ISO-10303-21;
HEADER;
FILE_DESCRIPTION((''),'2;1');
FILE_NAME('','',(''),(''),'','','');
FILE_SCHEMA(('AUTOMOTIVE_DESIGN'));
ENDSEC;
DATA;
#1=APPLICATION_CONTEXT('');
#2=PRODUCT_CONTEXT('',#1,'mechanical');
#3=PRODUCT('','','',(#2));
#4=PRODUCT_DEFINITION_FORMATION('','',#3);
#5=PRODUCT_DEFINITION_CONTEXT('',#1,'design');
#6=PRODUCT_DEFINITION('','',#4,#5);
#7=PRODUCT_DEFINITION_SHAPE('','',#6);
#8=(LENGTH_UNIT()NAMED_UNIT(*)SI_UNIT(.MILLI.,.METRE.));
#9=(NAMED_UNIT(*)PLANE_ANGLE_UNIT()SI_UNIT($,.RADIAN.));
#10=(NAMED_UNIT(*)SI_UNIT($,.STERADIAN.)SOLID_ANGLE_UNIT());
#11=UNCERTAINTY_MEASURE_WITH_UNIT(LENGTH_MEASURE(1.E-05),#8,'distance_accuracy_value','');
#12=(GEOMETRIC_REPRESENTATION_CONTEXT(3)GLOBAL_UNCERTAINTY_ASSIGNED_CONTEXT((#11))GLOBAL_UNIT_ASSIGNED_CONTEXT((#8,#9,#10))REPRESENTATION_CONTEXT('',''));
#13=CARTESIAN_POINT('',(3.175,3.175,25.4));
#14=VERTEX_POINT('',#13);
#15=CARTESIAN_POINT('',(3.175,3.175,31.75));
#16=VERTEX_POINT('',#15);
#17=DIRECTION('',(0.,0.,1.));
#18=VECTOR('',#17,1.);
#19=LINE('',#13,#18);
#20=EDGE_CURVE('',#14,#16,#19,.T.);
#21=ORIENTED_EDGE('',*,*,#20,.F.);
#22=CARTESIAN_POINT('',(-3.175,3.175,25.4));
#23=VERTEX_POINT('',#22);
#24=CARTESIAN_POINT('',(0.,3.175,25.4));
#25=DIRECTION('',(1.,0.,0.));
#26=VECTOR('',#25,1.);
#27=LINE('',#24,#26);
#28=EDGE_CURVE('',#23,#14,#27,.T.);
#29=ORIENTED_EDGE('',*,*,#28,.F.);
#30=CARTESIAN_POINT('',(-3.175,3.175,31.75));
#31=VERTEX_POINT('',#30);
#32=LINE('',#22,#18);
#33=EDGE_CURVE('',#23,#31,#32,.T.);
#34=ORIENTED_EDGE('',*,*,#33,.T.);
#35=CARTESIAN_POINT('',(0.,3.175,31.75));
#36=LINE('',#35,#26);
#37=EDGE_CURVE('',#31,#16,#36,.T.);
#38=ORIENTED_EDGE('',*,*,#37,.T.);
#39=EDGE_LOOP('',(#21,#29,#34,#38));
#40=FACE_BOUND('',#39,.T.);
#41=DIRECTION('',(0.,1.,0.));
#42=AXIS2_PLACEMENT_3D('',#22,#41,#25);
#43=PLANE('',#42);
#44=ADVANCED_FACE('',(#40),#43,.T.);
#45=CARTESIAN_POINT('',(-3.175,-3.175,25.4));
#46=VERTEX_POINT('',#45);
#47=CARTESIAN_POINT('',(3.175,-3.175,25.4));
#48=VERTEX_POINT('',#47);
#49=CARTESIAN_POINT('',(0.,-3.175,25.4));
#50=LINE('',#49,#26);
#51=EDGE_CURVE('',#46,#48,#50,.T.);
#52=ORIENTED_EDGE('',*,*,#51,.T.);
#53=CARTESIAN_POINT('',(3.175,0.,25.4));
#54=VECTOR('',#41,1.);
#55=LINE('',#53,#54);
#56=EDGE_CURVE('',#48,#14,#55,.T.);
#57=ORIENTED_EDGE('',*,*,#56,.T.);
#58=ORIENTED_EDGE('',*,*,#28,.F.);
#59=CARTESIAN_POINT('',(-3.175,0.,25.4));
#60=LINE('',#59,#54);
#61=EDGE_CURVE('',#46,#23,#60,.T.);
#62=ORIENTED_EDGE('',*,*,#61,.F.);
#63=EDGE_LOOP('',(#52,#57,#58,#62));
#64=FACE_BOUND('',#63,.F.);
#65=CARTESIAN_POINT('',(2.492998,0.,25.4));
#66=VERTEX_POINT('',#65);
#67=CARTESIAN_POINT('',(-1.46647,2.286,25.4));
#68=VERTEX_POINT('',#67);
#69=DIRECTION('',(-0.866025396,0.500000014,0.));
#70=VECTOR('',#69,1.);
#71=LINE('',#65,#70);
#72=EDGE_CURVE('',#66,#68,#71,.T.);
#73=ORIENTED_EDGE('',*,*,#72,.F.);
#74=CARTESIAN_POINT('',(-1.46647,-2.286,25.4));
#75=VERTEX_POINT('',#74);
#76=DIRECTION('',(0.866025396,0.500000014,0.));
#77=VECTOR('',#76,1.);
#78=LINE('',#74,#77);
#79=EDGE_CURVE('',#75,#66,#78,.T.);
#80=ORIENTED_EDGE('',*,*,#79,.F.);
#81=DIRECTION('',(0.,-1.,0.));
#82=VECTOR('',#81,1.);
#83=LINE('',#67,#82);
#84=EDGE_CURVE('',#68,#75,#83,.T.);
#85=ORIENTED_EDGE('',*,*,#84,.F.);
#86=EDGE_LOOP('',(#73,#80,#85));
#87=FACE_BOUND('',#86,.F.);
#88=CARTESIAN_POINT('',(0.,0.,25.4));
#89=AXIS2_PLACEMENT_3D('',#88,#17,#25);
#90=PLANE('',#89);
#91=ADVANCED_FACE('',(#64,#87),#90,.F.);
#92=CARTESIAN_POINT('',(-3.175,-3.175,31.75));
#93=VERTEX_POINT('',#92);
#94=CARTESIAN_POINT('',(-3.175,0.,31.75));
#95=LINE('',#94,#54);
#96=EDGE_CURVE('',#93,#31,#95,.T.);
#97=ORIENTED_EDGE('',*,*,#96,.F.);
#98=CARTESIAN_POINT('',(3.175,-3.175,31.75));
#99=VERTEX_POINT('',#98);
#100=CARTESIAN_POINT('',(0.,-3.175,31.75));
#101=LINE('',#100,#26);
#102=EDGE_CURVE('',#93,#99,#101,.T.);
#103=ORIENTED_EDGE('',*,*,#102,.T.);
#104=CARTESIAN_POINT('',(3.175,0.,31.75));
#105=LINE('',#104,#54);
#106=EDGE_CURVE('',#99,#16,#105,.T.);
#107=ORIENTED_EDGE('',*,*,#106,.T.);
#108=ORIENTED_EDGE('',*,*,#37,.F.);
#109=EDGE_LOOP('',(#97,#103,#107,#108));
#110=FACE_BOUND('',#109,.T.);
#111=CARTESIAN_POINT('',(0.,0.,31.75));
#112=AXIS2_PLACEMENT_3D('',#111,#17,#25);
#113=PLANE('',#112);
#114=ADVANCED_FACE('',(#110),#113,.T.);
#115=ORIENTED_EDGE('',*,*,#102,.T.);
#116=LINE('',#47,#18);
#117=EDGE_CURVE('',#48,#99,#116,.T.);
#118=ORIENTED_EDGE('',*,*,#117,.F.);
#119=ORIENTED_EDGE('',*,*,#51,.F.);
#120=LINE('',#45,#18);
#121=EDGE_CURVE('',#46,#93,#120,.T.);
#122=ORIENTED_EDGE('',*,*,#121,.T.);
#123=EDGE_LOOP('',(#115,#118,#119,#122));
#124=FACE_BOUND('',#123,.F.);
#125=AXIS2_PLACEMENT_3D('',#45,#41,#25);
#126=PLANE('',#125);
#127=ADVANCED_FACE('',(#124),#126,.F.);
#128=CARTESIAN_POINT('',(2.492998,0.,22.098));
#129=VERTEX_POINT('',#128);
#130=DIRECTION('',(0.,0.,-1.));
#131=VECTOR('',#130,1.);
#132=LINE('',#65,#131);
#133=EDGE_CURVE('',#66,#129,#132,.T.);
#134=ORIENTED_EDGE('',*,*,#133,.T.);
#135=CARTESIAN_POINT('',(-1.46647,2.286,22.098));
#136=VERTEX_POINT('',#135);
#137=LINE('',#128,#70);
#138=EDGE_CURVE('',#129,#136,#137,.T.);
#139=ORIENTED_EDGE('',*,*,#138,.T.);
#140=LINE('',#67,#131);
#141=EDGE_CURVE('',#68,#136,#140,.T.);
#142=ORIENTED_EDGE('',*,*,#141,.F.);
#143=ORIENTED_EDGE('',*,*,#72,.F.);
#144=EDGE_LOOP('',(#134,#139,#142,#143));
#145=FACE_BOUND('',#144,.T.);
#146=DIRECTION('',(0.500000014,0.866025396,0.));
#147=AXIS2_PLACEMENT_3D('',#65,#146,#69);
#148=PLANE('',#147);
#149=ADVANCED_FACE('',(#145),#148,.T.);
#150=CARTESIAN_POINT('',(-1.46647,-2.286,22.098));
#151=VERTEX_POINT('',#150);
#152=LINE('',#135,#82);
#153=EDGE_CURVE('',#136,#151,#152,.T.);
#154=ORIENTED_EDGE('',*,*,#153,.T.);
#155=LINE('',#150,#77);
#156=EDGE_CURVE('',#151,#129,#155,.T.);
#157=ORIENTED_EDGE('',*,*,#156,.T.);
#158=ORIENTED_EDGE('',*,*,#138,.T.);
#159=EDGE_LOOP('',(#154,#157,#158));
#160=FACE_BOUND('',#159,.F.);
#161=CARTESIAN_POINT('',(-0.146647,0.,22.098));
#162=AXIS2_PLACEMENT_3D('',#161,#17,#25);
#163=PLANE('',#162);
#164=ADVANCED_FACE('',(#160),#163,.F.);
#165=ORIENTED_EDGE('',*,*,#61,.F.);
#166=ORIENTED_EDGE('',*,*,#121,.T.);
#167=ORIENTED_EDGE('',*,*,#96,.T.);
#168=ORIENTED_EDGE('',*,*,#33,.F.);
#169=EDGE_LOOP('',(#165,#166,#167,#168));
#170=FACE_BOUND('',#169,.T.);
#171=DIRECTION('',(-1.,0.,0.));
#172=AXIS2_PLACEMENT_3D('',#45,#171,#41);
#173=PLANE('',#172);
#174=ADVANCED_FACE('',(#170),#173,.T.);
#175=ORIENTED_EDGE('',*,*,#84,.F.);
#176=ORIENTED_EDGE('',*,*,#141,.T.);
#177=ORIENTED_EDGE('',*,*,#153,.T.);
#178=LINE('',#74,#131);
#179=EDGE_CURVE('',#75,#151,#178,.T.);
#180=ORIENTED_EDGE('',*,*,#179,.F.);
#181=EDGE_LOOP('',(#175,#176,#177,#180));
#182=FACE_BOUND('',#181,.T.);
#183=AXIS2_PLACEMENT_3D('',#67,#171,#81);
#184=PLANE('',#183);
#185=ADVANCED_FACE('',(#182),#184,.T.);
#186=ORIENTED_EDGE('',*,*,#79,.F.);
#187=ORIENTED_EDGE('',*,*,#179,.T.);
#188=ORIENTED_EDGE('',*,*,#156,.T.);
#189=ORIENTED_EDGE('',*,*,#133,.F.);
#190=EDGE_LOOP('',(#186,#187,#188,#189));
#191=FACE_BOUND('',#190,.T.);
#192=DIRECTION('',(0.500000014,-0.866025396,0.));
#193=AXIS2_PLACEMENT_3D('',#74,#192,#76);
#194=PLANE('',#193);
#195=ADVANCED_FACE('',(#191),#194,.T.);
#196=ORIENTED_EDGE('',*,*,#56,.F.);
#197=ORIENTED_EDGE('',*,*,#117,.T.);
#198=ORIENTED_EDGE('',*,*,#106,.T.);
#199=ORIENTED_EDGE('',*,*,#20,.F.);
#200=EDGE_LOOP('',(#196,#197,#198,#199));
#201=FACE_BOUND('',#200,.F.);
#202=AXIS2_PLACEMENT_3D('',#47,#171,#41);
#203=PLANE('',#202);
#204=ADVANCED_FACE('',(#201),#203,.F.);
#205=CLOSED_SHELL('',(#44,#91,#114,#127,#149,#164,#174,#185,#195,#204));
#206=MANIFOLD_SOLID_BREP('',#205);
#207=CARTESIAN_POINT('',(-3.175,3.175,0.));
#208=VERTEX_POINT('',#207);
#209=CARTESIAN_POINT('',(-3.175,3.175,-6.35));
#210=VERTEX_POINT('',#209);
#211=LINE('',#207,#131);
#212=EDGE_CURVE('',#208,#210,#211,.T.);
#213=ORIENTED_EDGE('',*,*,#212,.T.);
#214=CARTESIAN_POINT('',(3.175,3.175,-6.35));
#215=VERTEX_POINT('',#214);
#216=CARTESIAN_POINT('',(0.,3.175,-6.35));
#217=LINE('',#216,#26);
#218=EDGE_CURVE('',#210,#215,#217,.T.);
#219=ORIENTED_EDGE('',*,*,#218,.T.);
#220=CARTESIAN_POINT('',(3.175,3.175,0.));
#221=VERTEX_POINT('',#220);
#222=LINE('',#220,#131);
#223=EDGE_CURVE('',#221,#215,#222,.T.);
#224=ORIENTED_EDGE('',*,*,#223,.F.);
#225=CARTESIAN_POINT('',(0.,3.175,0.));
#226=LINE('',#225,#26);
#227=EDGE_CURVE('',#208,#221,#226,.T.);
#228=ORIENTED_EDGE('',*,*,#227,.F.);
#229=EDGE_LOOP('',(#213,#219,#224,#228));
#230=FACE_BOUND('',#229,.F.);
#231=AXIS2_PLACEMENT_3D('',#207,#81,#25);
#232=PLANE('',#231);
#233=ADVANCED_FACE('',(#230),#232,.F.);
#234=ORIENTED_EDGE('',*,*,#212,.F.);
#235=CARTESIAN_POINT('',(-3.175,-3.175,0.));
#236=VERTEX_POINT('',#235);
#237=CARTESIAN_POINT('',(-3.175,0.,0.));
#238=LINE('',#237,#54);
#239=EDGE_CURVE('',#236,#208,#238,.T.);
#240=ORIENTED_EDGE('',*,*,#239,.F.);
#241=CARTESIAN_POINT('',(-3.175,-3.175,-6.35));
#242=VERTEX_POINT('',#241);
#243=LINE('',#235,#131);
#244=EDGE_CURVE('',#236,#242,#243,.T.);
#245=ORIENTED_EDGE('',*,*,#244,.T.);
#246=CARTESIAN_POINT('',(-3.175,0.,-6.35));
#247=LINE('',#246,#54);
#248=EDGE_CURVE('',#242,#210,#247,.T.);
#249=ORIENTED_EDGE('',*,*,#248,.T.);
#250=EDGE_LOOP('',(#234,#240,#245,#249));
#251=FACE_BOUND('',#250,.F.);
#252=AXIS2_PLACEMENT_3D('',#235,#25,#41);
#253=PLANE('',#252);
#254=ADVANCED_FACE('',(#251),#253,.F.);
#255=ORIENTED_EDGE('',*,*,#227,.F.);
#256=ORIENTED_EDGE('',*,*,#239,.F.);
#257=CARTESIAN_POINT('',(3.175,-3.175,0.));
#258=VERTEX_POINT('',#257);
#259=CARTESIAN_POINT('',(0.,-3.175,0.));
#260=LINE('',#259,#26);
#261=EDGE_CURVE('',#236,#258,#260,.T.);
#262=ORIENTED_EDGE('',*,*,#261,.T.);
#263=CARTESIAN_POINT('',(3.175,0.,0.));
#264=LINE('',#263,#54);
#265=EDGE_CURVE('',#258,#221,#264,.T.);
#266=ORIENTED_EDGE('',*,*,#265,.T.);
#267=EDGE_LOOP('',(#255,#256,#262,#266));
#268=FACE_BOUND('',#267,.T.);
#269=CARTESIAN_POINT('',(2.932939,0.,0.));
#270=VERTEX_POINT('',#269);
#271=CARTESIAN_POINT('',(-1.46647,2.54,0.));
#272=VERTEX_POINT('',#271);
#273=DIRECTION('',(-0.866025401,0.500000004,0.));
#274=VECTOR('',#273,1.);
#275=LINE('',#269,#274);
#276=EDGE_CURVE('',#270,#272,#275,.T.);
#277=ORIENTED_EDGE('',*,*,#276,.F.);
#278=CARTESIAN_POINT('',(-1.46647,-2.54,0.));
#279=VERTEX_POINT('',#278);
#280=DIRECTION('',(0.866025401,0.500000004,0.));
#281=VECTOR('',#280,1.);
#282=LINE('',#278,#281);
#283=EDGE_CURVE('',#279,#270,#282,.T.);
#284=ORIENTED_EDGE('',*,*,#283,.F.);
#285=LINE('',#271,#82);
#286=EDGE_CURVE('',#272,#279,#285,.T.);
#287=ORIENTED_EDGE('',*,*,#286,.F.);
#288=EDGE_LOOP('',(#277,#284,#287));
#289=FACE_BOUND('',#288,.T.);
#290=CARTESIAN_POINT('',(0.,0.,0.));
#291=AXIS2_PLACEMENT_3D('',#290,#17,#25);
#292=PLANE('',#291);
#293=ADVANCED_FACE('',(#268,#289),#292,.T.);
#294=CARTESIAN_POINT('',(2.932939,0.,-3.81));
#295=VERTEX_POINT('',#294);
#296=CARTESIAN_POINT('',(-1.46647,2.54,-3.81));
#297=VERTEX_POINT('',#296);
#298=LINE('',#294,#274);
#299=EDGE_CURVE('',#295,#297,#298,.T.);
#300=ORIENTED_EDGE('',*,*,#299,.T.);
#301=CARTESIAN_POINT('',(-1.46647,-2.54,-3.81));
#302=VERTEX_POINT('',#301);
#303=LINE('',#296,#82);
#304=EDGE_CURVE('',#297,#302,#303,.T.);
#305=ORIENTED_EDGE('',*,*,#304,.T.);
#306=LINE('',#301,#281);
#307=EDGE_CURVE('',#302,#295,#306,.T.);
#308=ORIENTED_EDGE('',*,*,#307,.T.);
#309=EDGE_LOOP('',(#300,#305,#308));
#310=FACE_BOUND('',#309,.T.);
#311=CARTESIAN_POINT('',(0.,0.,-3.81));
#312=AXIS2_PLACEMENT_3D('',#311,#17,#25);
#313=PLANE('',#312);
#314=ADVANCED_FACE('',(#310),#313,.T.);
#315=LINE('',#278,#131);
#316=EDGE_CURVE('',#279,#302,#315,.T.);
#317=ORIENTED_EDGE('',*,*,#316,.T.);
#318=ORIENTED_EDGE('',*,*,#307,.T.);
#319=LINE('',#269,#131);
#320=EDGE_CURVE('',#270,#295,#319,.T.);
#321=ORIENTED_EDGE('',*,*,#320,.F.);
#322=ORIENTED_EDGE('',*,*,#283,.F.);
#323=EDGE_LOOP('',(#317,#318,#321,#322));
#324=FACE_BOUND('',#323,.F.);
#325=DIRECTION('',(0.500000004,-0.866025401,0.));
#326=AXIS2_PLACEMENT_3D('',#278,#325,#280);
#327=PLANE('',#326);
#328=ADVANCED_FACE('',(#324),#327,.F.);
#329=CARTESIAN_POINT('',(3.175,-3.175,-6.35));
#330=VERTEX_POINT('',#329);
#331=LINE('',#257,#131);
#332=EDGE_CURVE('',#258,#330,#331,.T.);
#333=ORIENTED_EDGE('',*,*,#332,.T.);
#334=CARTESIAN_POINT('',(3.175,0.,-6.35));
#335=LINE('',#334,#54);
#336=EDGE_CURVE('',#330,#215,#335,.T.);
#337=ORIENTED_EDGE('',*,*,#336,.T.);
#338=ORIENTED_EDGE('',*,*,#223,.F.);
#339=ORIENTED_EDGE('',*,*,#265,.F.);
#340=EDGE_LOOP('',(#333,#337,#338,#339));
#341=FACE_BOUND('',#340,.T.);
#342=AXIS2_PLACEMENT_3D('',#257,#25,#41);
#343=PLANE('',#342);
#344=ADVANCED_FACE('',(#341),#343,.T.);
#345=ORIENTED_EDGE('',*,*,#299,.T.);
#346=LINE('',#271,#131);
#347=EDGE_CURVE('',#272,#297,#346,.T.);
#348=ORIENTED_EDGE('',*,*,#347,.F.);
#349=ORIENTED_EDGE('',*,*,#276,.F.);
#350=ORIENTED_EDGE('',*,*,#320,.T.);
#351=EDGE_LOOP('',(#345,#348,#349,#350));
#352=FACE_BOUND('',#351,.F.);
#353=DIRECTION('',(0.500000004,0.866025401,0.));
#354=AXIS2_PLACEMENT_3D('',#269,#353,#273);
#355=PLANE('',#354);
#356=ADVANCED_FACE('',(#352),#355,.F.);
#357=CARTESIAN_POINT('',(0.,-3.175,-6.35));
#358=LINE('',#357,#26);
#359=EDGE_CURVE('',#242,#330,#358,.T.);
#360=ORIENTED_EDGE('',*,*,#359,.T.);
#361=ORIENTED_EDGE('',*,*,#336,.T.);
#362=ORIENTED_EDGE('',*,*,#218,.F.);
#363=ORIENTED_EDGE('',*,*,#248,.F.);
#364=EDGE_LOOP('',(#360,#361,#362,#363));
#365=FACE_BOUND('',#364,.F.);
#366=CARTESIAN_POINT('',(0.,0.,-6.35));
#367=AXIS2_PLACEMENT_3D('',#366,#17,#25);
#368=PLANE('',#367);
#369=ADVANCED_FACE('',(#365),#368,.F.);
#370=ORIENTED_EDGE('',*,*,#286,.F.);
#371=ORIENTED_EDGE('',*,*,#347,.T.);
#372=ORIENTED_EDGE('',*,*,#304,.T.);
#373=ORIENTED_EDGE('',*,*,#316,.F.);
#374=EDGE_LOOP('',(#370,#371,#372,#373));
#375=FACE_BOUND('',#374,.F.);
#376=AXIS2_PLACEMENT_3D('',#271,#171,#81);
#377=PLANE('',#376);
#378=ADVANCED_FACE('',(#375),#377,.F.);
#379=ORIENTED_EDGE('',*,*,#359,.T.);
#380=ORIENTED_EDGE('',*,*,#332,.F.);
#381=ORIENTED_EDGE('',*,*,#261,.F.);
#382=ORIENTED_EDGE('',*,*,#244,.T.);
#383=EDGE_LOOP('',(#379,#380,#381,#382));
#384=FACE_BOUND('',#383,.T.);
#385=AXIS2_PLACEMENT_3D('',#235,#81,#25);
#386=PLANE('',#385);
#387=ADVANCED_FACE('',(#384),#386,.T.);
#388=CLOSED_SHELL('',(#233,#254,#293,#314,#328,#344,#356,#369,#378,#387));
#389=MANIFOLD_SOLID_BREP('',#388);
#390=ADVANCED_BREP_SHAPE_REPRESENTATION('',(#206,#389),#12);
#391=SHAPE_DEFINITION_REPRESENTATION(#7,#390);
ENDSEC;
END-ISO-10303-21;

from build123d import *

# Parameters (mm, degrees)
F0_W     = 6.35
F0_H     = 6.35
F1_DEPTH = 6.35
F2_DEPTH = 3.81
F4_W     = 6.35
F4_H     = 6.35
F5_DEPTH = 6.35
F6_DEPTH = 3.302


with BuildPart() as f1:
    # F0 (on Top) → F1 (new body)
    with BuildSketch(Plane.XY):
        Rectangle(F0_W, F0_H)
        Polygon((2.932939, 0), (-1.46647, -2.54), (-1.46647, 2.54), align=None, mode=Mode.SUBTRACT)
        Polygon((-1.46647, 2.54), (-1.46647, -2.54), (2.932939, 0), align=None)
    extrude(amount=-F1_DEPTH)

    # F0 (on Top) → F2 (cut)
    with BuildSketch(Plane.XY):
        Polygon((-1.46647, 2.54), (-1.46647, -2.54), (2.932939, 0), align=None)
    extrude(amount=-F2_DEPTH, mode=Mode.SUBTRACT)


with BuildPart() as f5:
    # F4 (on offset) → F5 (new body)
    with BuildSketch(Plane.XY.offset(25.4)):
        Rectangle(F4_W, F4_H)
        Polygon((-1.46647, -2.286), (-1.46647, 0), (-1.46647, 2.286), (2.492998, 0), align=None, mode=Mode.SUBTRACT)
        Polygon((-1.46647, 2.286), (-1.46647, 0), (-1.46647, -2.286), (2.492998, 0), align=None)
    extrude(amount=F5_DEPTH)

    # F4 (on offset) → F6 (join)
    with BuildSketch(Plane.XY.offset(25.4)):
        Polygon((-1.46647, 2.286), (-1.46647, 0), (-1.46647, -2.286), (2.492998, 0), align=None)
    extrude(amount=-F6_DEPTH)


solid = Compound([f1.part, f5.part])
